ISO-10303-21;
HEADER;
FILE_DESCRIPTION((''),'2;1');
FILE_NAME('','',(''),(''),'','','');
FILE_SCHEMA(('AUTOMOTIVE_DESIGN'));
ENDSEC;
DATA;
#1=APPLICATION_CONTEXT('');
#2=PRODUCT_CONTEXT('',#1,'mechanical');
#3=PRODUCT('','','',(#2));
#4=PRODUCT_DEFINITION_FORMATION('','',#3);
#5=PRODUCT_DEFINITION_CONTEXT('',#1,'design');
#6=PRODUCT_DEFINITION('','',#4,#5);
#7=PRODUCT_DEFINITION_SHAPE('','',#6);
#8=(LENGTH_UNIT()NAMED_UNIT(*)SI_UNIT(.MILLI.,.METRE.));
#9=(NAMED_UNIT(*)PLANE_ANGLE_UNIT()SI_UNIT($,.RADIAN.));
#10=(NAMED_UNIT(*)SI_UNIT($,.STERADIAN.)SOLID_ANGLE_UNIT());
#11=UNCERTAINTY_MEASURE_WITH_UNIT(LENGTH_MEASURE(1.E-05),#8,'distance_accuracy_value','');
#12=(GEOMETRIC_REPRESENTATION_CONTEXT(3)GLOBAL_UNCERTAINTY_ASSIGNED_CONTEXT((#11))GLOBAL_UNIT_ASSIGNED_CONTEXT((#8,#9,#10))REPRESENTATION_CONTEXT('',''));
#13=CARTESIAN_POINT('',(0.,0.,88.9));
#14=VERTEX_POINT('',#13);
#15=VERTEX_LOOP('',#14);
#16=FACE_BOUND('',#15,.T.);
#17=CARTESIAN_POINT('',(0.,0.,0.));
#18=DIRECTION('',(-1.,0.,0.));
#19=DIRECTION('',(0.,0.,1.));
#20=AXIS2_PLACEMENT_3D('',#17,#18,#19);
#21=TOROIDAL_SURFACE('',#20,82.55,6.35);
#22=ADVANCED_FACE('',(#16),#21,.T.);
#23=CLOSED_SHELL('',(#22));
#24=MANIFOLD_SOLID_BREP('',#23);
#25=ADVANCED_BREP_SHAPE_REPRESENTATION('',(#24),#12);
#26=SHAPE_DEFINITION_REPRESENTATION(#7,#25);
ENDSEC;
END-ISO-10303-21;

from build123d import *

# Parameters (mm, degrees)
SKETCH1_R = 6.35


with BuildPart() as part:
    # Sketch1 → Revolve1 (revolve)
    with BuildSketch(Plane.XY, mode=Mode.PRIVATE) as revolve1_sk:
        with Locations((0, 82.55)):
            Circle(SKETCH1_R)
    revolve(revolve1_sk.sketch.rotate(Axis((0, 0, 0), (1, 0, 0)), 90), axis=Axis((0, 0, 0), (1, 0, 0)))


solid = part.part
